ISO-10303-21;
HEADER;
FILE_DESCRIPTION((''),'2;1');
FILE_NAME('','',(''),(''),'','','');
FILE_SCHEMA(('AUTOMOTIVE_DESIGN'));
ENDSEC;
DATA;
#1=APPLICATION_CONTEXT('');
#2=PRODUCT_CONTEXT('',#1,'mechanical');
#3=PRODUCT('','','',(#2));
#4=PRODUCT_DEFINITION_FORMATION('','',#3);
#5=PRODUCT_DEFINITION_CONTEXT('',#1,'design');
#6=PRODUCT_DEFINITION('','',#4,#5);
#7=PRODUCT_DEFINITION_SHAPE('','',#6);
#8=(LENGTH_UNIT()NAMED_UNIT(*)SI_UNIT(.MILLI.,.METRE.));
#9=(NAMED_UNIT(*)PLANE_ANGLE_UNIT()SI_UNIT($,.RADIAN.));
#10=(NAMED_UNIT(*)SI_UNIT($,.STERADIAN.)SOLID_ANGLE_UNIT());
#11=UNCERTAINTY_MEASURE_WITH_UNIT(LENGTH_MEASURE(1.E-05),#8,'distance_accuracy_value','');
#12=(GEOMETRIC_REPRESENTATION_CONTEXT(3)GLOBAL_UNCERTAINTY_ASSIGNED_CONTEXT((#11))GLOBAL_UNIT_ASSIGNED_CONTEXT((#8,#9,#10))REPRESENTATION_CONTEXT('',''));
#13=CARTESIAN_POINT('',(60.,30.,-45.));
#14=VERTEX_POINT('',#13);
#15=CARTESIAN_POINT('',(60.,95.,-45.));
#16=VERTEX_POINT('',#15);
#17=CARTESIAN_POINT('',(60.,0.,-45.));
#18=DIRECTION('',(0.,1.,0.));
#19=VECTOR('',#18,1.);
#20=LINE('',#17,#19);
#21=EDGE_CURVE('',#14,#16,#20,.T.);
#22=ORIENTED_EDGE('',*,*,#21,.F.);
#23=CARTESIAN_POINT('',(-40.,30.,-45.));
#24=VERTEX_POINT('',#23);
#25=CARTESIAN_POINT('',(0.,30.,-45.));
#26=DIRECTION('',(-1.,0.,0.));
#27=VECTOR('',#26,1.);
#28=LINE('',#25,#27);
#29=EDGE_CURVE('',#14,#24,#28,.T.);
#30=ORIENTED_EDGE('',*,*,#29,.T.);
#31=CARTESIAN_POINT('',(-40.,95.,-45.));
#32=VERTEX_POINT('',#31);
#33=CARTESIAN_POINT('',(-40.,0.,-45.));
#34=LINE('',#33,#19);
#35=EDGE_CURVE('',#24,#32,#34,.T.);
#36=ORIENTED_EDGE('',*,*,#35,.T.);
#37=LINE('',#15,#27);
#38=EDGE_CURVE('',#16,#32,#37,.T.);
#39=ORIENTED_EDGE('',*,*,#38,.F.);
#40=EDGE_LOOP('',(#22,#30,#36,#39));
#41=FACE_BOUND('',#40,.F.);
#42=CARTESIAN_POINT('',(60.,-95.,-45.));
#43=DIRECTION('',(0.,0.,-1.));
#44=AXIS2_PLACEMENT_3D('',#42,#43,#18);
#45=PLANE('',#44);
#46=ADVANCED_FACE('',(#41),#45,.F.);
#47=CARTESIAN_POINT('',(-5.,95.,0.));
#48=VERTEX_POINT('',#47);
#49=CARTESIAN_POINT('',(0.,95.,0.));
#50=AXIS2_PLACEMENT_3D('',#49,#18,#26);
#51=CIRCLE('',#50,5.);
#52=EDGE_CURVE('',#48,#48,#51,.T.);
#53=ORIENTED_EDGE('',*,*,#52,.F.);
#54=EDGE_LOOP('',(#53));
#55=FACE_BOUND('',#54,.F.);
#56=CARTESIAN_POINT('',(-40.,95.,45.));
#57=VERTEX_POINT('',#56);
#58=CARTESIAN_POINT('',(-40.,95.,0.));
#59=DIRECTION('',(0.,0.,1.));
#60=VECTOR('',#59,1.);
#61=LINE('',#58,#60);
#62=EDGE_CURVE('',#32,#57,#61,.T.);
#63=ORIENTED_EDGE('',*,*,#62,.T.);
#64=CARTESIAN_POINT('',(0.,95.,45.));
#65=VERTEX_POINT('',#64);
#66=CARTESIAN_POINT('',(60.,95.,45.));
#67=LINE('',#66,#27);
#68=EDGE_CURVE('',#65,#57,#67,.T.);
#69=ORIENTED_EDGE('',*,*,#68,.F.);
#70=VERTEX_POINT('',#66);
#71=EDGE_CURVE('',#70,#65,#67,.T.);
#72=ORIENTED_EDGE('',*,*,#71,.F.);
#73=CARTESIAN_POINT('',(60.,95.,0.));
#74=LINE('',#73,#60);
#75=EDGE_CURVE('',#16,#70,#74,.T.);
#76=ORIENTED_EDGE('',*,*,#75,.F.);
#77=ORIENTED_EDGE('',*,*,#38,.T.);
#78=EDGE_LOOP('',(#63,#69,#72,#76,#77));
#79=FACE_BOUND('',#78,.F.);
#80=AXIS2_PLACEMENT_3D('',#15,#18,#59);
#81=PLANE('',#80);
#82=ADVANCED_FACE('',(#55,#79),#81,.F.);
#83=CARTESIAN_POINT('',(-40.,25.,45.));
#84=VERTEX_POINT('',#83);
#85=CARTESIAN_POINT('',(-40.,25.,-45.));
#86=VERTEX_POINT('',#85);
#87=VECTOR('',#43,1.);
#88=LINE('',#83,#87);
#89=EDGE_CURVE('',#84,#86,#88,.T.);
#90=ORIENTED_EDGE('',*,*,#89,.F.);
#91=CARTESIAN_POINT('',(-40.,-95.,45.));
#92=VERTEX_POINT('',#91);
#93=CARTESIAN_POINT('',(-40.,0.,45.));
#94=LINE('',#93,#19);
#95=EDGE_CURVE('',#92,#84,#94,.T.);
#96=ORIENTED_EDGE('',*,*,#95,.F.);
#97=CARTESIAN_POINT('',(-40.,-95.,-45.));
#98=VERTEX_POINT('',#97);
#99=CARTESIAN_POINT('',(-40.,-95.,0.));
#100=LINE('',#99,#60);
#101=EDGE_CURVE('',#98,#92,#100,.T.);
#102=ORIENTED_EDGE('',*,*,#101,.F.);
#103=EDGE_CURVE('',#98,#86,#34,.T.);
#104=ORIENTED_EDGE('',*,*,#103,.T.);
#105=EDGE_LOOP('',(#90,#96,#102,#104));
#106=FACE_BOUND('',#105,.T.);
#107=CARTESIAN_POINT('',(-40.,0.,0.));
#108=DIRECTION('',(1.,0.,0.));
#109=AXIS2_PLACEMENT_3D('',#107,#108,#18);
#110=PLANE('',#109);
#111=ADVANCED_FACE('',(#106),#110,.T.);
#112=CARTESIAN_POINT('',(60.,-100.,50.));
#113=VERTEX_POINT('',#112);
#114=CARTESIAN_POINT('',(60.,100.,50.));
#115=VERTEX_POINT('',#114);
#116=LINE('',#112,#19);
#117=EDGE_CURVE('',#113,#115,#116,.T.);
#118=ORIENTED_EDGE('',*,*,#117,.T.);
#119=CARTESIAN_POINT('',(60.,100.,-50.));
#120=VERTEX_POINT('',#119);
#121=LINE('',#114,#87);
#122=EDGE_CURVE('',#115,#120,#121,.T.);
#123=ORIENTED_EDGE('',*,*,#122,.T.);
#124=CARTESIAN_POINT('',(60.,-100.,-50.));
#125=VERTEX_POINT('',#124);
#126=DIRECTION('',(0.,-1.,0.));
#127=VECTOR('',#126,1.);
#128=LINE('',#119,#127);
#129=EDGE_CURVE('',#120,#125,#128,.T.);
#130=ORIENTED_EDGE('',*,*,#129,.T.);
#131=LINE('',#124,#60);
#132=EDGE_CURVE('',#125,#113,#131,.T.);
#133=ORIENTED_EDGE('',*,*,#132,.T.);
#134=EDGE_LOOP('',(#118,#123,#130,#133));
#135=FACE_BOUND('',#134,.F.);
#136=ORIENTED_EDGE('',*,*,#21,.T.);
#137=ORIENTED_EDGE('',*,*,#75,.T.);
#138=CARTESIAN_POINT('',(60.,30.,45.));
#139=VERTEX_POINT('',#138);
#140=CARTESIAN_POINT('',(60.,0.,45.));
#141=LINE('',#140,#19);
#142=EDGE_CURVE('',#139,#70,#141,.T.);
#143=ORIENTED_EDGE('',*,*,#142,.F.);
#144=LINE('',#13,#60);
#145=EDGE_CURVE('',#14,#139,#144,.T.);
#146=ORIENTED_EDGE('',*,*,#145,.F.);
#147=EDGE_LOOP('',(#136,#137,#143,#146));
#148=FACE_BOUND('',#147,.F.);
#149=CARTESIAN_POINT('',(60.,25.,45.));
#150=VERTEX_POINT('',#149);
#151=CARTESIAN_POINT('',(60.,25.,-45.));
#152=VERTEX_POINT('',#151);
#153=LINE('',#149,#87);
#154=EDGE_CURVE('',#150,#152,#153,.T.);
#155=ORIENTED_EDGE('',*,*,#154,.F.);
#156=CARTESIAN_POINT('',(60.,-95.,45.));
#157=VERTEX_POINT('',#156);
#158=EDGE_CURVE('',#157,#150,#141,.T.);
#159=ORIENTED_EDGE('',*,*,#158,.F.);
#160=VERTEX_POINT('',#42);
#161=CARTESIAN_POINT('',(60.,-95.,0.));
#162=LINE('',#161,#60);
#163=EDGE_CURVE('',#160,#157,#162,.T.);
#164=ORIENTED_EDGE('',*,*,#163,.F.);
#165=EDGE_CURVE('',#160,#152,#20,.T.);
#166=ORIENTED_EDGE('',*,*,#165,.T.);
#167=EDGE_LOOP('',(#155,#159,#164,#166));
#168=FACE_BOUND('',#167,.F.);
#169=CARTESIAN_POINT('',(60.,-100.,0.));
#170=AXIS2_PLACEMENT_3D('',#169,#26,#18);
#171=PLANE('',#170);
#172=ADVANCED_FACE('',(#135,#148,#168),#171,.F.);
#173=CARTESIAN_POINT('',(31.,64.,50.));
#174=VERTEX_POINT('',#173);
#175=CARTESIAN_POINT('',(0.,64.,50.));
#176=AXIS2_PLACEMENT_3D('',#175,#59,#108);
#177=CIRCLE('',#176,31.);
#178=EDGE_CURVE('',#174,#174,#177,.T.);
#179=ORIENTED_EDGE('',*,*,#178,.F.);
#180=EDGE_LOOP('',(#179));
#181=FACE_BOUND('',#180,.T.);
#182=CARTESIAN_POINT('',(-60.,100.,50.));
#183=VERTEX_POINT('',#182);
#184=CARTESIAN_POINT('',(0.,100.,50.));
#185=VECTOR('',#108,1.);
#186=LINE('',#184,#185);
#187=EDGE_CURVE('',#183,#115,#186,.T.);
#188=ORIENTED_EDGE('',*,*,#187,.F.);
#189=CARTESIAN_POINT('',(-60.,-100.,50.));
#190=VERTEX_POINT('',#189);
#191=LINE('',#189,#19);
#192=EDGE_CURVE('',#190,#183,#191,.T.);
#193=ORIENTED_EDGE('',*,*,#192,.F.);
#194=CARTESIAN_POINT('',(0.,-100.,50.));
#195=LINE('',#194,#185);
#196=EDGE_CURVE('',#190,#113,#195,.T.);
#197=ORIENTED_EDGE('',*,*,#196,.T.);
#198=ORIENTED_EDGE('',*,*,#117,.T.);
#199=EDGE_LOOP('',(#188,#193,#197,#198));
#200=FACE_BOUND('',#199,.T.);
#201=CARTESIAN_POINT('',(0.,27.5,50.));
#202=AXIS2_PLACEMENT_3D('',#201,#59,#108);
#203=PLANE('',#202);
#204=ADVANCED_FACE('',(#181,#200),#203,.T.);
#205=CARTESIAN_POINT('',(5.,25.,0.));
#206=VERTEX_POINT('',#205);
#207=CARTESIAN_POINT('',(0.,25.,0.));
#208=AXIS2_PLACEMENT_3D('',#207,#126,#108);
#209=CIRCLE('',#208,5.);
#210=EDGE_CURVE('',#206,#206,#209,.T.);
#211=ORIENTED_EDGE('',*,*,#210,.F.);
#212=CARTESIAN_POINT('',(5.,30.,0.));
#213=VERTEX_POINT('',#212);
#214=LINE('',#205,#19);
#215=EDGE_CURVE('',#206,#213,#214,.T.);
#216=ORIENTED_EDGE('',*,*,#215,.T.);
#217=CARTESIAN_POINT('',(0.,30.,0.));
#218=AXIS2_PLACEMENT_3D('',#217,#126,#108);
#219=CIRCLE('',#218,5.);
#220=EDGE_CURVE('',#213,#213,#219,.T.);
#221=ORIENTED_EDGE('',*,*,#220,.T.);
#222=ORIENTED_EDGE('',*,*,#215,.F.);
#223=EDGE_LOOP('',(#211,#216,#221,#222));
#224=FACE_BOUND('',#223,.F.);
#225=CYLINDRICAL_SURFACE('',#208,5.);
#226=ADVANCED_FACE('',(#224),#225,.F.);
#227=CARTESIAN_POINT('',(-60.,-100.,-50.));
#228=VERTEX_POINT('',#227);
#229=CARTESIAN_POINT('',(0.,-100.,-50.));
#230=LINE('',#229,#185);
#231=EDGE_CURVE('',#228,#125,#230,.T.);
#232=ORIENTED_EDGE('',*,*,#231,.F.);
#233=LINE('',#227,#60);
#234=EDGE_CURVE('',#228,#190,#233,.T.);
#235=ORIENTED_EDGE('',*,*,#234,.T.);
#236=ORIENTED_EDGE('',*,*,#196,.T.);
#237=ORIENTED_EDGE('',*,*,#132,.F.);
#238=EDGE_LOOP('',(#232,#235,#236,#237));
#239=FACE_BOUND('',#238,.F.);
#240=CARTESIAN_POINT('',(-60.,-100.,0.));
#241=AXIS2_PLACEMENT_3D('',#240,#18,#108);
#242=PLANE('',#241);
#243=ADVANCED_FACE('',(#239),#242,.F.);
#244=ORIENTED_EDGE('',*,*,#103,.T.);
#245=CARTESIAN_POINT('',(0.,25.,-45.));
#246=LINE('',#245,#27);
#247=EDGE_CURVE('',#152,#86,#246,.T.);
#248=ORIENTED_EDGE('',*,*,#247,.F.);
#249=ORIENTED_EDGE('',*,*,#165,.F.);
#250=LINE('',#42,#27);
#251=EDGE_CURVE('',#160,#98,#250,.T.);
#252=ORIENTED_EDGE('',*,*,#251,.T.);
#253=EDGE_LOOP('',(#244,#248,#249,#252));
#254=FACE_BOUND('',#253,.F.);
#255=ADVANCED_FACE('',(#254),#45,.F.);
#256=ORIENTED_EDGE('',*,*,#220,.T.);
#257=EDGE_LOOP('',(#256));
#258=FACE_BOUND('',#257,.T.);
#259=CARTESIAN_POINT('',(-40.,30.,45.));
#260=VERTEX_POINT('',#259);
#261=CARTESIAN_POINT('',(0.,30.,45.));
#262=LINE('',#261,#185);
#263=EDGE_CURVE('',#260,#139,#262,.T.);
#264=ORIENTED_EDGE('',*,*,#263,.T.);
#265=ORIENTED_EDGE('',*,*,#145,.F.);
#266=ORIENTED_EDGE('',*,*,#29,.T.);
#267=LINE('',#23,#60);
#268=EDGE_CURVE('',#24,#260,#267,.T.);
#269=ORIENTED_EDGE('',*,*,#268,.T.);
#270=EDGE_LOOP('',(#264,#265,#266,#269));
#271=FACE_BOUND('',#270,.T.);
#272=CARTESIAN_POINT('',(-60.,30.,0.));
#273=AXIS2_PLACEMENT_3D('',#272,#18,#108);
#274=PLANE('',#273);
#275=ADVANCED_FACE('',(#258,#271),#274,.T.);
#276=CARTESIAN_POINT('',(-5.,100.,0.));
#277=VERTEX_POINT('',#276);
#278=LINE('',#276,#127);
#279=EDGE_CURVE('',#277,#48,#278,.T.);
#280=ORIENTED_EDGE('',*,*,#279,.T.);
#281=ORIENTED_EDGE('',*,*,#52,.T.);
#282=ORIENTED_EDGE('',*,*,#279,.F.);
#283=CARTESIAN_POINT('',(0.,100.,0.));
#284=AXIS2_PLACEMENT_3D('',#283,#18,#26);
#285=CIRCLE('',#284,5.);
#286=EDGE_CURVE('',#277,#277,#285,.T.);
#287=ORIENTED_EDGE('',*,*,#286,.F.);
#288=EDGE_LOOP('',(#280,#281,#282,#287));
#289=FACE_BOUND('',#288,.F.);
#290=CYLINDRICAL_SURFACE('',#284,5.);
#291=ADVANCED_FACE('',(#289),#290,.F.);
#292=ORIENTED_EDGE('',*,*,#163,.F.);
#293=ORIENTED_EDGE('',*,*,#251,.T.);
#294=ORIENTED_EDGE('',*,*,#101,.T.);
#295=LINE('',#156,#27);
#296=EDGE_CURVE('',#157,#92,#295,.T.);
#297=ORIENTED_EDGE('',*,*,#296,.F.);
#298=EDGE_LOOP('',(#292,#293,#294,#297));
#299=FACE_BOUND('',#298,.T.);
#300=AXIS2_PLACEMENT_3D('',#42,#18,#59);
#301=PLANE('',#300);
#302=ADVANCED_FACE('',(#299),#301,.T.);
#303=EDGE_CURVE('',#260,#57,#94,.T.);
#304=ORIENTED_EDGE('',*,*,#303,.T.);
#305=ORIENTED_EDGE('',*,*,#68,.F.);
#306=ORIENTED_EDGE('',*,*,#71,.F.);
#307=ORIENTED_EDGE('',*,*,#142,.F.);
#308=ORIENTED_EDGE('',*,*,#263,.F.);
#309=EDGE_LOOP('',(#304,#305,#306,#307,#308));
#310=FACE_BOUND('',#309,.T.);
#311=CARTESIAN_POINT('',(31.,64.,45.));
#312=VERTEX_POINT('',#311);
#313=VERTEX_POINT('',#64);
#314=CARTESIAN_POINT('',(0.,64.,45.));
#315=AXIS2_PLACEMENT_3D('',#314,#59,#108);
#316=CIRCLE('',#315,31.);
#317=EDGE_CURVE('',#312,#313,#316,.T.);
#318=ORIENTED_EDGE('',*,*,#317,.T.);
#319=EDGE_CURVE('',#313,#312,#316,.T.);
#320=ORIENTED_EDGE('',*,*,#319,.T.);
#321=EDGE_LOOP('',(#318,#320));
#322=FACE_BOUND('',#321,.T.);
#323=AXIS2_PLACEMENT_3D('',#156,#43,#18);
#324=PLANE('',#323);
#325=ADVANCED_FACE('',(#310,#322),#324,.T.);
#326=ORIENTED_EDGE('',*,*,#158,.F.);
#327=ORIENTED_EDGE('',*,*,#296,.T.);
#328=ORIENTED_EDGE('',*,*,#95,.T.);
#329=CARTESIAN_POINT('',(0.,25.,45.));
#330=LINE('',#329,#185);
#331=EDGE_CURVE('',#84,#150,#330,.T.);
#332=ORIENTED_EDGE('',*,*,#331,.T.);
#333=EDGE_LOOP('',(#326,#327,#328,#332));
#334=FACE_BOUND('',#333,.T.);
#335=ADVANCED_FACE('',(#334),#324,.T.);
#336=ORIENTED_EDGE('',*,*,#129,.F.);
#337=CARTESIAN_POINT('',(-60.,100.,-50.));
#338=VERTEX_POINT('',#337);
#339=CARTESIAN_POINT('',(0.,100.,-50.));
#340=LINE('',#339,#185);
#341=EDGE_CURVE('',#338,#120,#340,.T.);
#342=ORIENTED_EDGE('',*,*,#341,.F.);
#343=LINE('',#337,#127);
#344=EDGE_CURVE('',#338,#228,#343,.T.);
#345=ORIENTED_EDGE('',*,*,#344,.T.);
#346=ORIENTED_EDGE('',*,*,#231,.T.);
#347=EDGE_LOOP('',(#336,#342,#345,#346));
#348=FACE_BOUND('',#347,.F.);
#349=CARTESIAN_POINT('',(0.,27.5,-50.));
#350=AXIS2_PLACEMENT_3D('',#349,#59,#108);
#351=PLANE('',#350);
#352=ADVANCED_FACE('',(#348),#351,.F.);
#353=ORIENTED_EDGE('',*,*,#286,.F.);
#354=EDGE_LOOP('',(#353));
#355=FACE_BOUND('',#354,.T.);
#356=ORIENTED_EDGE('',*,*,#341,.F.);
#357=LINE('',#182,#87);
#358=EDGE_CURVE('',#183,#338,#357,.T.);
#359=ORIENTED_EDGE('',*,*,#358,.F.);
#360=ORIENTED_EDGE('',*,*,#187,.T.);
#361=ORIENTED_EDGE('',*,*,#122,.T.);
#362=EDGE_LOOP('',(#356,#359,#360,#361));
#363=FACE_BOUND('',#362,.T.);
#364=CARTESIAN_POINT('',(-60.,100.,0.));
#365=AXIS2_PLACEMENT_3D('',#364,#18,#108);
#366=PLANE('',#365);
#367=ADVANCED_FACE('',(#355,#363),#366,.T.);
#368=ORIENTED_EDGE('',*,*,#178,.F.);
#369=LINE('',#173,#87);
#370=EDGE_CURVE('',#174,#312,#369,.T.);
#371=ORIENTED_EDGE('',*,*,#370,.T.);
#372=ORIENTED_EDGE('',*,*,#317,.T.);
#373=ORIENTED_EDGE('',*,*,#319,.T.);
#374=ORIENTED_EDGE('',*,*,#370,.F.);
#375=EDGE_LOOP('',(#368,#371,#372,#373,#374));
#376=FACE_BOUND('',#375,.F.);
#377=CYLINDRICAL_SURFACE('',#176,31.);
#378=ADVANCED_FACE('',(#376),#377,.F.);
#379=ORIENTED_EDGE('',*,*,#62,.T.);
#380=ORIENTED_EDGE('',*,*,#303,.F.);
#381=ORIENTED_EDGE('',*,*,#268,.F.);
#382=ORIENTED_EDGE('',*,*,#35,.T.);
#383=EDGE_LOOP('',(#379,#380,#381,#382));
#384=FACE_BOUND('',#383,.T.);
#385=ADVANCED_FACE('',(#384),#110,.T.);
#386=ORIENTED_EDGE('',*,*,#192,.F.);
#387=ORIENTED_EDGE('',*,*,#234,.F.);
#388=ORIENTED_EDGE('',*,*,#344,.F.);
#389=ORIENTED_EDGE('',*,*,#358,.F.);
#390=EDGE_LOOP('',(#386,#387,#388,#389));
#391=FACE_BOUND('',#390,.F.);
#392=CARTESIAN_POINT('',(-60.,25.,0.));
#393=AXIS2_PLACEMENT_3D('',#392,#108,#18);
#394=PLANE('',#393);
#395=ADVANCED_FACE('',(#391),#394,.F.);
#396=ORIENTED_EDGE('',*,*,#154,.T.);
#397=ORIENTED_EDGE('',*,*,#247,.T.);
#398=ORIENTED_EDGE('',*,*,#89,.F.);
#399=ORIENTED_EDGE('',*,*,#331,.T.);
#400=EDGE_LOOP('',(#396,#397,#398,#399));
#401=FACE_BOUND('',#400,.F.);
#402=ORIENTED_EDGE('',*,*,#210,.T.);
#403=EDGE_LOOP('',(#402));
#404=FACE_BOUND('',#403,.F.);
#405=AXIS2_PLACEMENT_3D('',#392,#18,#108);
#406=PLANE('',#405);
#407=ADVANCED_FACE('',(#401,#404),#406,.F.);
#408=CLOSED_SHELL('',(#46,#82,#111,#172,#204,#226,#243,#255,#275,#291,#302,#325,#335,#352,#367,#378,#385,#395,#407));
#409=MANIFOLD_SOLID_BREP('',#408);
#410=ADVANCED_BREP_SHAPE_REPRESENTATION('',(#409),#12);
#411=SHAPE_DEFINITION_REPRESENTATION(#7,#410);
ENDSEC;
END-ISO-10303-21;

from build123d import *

# Parameters (mm, degrees)
F0_W      = 120
F0_H      = 70
F0_H_2    = 5
F0_H_3    = 125
F1_DEPTH  = 50
F2_DEPTH  = 50
F3_W      = 190
F3_H      = 90
F4_DEPTH  = 100
F5_R      = 31
F6_DEPTH  = 25
F7_R      = 5
F8_DEPTH  = 25
F9_DEPTH  = 50
F10_DEPTH = 50
F11_R     = 5
F12_DEPTH = 25


with BuildPart() as f1:
    # F0 (on Top) → F1 (new body)
    with BuildSketch(Plane.XY):
        with Locations((0, 65)):
            Rectangle(F0_W, F0_H)
        with Locations((0, 27.5)):
            Rectangle(F0_W, F0_H_2)
        with Locations((0, -37.5)):
            Rectangle(F0_W, F0_H_3)
    extrude(amount=-F1_DEPTH)

    # F0 (on Top) → F2 (join)
    with BuildSketch(Plane.XY):
        with Locations((0, 65)):
            Rectangle(F0_W, F0_H)
        with Locations((0, 27.5)):
            Rectangle(F0_W, F0_H_2)
        with Locations((0, -37.5)):
            Rectangle(F0_W, F0_H_3)
    extrude(amount=F2_DEPTH)

    # F3 (on face) → F4 (cut)
    with BuildSketch(Plane.YZ.offset(60)):
        Rectangle(F3_W, F3_H)
    extrude(amount=-F4_DEPTH, mode=Mode.SUBTRACT)

    # F5 (on face) → F6 (cut)
    with BuildSketch(Plane.XY.offset(50)):
        with Locations((0, 64)):
            Circle(F5_R)
    extrude(amount=-F6_DEPTH, mode=Mode.SUBTRACT)

    # F7 (on face) → F8 (cut)
    with BuildSketch(Plane(origin=(0, 100, 0), x_dir=(-1, 0, 0), z_dir=(0, 1, 0))):
        Circle(F7_R)
    extrude(amount=-F8_DEPTH, mode=Mode.SUBTRACT)

    # F0 (on Top) → F9 (join)
    with BuildSketch(Plane.XY):
        with Locations((0, 27.5)):
            Rectangle(F0_W, F0_H_2)
    extrude(amount=F9_DEPTH)

    # F0 (on Top) → F10 (join)
    with BuildSketch(Plane.XY):
        with Locations((0, 27.5)):
            Rectangle(F0_W, F0_H_2)
    extrude(amount=-F10_DEPTH)

    # F11 (on face) → F12 (cut)
    with BuildSketch(Plane.XZ.offset(-25)):
        Circle(F11_R)
    extrude(amount=-F12_DEPTH, mode=Mode.SUBTRACT)


solid = f1.part
